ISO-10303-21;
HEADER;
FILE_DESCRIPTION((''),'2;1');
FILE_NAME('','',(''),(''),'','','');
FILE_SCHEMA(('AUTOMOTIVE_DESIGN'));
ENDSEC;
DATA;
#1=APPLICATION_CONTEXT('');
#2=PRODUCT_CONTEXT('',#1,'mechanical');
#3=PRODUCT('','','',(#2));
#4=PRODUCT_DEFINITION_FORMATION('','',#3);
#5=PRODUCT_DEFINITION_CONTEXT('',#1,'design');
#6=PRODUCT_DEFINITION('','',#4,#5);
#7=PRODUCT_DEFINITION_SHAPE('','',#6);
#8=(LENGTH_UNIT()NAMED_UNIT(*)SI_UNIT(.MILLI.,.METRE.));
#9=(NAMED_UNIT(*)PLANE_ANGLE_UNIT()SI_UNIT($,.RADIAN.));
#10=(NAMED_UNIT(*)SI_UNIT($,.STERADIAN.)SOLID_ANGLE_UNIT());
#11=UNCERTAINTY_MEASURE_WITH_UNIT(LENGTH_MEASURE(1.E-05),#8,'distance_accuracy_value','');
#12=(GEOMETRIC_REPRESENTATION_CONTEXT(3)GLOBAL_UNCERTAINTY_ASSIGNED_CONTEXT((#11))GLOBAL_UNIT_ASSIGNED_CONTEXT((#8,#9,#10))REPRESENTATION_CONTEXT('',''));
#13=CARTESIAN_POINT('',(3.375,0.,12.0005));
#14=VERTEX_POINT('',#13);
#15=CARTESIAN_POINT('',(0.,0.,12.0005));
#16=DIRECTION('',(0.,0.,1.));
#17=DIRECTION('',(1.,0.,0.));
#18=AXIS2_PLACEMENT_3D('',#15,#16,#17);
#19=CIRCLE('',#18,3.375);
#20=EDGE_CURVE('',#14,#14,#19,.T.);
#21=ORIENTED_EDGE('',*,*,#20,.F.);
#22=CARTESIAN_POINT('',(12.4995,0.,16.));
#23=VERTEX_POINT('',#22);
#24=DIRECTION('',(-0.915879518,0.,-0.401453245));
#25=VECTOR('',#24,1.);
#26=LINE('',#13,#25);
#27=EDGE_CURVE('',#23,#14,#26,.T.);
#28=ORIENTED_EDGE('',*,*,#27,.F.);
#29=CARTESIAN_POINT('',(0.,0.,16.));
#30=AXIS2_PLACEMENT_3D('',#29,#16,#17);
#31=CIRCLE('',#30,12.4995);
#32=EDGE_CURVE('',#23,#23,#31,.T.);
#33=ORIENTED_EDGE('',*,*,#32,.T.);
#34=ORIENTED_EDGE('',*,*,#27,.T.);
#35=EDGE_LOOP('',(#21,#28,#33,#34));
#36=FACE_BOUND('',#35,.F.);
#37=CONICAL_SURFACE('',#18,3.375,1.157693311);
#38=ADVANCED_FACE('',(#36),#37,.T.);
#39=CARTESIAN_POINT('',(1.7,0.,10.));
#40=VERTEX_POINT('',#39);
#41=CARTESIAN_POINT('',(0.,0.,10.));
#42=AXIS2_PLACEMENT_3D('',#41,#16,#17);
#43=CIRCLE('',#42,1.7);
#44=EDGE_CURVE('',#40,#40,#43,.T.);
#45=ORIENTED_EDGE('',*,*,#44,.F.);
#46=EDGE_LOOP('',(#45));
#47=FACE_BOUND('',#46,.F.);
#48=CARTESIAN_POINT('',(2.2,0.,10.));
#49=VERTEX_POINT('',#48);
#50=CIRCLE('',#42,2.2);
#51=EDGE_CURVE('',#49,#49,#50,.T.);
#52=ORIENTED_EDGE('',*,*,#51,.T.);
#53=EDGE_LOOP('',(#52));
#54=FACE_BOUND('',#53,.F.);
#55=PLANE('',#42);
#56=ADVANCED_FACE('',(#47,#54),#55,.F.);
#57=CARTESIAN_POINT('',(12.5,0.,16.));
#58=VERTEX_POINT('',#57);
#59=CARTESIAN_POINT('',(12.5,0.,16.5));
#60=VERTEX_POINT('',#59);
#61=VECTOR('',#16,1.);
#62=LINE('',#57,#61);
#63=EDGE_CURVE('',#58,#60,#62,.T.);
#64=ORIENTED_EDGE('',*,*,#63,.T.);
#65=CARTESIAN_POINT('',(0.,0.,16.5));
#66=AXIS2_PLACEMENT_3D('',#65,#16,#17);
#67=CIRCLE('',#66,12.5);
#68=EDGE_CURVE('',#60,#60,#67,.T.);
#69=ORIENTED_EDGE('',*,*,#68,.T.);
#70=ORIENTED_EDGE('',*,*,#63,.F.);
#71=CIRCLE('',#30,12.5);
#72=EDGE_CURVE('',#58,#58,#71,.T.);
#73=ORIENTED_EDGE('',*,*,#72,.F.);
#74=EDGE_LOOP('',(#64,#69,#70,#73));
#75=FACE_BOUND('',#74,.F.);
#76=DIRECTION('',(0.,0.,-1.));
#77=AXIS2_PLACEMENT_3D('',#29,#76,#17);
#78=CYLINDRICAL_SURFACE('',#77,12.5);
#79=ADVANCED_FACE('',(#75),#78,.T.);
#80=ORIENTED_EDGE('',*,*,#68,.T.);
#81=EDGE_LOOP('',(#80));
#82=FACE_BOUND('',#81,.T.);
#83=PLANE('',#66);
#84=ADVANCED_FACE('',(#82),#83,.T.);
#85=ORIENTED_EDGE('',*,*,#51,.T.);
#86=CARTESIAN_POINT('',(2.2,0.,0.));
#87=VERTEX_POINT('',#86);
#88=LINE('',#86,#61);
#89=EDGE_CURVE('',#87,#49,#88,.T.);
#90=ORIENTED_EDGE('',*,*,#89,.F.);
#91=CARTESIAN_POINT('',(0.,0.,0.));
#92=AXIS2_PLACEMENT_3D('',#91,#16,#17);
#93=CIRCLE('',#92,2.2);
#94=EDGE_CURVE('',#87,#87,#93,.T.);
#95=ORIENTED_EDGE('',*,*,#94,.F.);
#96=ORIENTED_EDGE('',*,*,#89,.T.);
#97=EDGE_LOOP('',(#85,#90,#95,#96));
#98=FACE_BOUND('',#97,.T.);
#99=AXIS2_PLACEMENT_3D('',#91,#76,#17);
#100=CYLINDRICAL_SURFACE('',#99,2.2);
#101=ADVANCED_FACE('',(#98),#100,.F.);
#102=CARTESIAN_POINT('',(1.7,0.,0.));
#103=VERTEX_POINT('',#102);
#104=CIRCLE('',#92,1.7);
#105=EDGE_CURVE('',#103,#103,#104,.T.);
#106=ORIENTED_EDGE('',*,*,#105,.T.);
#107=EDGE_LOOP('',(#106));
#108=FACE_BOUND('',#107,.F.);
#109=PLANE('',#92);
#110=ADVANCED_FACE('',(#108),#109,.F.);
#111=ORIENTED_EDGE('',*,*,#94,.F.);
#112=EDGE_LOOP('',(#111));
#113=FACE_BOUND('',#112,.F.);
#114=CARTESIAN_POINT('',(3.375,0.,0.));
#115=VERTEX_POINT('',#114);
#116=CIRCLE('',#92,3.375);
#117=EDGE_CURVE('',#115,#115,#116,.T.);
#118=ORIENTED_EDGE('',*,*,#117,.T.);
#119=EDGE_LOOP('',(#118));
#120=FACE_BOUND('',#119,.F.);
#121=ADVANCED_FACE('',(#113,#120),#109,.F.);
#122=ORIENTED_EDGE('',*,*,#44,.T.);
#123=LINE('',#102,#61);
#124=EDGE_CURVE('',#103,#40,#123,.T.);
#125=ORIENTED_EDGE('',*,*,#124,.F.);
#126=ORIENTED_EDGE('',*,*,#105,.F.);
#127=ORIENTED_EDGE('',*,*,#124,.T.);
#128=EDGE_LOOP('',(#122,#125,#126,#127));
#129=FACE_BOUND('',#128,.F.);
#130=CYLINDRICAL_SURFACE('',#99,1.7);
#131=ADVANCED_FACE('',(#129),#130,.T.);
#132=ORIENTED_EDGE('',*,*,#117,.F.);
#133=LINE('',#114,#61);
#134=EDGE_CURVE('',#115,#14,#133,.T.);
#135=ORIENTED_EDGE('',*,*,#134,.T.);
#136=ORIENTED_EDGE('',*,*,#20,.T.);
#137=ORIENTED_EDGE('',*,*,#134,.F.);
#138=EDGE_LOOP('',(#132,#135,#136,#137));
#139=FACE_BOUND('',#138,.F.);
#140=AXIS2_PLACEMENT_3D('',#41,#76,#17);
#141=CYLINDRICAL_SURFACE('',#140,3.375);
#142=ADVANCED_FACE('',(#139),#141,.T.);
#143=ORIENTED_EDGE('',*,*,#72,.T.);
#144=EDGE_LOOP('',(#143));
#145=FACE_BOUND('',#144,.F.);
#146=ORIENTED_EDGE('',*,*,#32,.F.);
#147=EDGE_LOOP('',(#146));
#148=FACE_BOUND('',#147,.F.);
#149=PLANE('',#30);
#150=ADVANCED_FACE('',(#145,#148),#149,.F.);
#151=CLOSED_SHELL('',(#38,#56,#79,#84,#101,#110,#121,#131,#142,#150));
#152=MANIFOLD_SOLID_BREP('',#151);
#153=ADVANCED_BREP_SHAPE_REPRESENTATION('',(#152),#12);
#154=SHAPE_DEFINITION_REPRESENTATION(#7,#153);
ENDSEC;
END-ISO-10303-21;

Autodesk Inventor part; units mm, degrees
ref_plane "YZ Plane" through (0, 0, 0) normal (1, 0, 0) x (0, 1, 0)
ref_plane "XZ Plane" through (0, 0, 0) normal (0, 1, 0) x (-1, 0, 0)
ref_plane "XY Plane" through (0, 0, 0) normal (0, 0, 1) x (1, 0, 0)
sketch "Sketch1" plane through (0, 0, 0) normal (0, 0, 1) x (1, 0, 0)
  circle A0 centre (0, 0) radius 1.7
  circle A1 centre (0, 0) radius 2.2
  circle A2 centre (0, 0) radius 3.375
  dimension "d0" = 3.4
  dimension "d1" = 0.5
  dimension "d3" = 6.75
extrude "Extrusion1" add sketch "Sketch1" along normal blind 10
sketch "Sketch2" plane through (0, 0, 10) normal (0, 0, 1) x (1, 0, 0)
  circle A0 centre (0, 0) radius 3.375
  dimension "d6" = 6.75
extrude "Extrusion2" add sketch "Sketch2" along normal blind 6
sketch "Sketch3" plane through (0, 0, 16) normal (0, 0, 1) x (1, 0, 0)
  circle A0 centre (0, 0) radius 12.5
  dimension "d12" = 25
extrude "Extrusion3" add sketch "Sketch3" along normal blind 0.5
chamfer "Chamfer2" distance 9.125 distance2 4 1 edges at (-3.375, 0, 16) measured on face at (9.3373, -0.9971, 16)
properties part number "SpringCapV1"
